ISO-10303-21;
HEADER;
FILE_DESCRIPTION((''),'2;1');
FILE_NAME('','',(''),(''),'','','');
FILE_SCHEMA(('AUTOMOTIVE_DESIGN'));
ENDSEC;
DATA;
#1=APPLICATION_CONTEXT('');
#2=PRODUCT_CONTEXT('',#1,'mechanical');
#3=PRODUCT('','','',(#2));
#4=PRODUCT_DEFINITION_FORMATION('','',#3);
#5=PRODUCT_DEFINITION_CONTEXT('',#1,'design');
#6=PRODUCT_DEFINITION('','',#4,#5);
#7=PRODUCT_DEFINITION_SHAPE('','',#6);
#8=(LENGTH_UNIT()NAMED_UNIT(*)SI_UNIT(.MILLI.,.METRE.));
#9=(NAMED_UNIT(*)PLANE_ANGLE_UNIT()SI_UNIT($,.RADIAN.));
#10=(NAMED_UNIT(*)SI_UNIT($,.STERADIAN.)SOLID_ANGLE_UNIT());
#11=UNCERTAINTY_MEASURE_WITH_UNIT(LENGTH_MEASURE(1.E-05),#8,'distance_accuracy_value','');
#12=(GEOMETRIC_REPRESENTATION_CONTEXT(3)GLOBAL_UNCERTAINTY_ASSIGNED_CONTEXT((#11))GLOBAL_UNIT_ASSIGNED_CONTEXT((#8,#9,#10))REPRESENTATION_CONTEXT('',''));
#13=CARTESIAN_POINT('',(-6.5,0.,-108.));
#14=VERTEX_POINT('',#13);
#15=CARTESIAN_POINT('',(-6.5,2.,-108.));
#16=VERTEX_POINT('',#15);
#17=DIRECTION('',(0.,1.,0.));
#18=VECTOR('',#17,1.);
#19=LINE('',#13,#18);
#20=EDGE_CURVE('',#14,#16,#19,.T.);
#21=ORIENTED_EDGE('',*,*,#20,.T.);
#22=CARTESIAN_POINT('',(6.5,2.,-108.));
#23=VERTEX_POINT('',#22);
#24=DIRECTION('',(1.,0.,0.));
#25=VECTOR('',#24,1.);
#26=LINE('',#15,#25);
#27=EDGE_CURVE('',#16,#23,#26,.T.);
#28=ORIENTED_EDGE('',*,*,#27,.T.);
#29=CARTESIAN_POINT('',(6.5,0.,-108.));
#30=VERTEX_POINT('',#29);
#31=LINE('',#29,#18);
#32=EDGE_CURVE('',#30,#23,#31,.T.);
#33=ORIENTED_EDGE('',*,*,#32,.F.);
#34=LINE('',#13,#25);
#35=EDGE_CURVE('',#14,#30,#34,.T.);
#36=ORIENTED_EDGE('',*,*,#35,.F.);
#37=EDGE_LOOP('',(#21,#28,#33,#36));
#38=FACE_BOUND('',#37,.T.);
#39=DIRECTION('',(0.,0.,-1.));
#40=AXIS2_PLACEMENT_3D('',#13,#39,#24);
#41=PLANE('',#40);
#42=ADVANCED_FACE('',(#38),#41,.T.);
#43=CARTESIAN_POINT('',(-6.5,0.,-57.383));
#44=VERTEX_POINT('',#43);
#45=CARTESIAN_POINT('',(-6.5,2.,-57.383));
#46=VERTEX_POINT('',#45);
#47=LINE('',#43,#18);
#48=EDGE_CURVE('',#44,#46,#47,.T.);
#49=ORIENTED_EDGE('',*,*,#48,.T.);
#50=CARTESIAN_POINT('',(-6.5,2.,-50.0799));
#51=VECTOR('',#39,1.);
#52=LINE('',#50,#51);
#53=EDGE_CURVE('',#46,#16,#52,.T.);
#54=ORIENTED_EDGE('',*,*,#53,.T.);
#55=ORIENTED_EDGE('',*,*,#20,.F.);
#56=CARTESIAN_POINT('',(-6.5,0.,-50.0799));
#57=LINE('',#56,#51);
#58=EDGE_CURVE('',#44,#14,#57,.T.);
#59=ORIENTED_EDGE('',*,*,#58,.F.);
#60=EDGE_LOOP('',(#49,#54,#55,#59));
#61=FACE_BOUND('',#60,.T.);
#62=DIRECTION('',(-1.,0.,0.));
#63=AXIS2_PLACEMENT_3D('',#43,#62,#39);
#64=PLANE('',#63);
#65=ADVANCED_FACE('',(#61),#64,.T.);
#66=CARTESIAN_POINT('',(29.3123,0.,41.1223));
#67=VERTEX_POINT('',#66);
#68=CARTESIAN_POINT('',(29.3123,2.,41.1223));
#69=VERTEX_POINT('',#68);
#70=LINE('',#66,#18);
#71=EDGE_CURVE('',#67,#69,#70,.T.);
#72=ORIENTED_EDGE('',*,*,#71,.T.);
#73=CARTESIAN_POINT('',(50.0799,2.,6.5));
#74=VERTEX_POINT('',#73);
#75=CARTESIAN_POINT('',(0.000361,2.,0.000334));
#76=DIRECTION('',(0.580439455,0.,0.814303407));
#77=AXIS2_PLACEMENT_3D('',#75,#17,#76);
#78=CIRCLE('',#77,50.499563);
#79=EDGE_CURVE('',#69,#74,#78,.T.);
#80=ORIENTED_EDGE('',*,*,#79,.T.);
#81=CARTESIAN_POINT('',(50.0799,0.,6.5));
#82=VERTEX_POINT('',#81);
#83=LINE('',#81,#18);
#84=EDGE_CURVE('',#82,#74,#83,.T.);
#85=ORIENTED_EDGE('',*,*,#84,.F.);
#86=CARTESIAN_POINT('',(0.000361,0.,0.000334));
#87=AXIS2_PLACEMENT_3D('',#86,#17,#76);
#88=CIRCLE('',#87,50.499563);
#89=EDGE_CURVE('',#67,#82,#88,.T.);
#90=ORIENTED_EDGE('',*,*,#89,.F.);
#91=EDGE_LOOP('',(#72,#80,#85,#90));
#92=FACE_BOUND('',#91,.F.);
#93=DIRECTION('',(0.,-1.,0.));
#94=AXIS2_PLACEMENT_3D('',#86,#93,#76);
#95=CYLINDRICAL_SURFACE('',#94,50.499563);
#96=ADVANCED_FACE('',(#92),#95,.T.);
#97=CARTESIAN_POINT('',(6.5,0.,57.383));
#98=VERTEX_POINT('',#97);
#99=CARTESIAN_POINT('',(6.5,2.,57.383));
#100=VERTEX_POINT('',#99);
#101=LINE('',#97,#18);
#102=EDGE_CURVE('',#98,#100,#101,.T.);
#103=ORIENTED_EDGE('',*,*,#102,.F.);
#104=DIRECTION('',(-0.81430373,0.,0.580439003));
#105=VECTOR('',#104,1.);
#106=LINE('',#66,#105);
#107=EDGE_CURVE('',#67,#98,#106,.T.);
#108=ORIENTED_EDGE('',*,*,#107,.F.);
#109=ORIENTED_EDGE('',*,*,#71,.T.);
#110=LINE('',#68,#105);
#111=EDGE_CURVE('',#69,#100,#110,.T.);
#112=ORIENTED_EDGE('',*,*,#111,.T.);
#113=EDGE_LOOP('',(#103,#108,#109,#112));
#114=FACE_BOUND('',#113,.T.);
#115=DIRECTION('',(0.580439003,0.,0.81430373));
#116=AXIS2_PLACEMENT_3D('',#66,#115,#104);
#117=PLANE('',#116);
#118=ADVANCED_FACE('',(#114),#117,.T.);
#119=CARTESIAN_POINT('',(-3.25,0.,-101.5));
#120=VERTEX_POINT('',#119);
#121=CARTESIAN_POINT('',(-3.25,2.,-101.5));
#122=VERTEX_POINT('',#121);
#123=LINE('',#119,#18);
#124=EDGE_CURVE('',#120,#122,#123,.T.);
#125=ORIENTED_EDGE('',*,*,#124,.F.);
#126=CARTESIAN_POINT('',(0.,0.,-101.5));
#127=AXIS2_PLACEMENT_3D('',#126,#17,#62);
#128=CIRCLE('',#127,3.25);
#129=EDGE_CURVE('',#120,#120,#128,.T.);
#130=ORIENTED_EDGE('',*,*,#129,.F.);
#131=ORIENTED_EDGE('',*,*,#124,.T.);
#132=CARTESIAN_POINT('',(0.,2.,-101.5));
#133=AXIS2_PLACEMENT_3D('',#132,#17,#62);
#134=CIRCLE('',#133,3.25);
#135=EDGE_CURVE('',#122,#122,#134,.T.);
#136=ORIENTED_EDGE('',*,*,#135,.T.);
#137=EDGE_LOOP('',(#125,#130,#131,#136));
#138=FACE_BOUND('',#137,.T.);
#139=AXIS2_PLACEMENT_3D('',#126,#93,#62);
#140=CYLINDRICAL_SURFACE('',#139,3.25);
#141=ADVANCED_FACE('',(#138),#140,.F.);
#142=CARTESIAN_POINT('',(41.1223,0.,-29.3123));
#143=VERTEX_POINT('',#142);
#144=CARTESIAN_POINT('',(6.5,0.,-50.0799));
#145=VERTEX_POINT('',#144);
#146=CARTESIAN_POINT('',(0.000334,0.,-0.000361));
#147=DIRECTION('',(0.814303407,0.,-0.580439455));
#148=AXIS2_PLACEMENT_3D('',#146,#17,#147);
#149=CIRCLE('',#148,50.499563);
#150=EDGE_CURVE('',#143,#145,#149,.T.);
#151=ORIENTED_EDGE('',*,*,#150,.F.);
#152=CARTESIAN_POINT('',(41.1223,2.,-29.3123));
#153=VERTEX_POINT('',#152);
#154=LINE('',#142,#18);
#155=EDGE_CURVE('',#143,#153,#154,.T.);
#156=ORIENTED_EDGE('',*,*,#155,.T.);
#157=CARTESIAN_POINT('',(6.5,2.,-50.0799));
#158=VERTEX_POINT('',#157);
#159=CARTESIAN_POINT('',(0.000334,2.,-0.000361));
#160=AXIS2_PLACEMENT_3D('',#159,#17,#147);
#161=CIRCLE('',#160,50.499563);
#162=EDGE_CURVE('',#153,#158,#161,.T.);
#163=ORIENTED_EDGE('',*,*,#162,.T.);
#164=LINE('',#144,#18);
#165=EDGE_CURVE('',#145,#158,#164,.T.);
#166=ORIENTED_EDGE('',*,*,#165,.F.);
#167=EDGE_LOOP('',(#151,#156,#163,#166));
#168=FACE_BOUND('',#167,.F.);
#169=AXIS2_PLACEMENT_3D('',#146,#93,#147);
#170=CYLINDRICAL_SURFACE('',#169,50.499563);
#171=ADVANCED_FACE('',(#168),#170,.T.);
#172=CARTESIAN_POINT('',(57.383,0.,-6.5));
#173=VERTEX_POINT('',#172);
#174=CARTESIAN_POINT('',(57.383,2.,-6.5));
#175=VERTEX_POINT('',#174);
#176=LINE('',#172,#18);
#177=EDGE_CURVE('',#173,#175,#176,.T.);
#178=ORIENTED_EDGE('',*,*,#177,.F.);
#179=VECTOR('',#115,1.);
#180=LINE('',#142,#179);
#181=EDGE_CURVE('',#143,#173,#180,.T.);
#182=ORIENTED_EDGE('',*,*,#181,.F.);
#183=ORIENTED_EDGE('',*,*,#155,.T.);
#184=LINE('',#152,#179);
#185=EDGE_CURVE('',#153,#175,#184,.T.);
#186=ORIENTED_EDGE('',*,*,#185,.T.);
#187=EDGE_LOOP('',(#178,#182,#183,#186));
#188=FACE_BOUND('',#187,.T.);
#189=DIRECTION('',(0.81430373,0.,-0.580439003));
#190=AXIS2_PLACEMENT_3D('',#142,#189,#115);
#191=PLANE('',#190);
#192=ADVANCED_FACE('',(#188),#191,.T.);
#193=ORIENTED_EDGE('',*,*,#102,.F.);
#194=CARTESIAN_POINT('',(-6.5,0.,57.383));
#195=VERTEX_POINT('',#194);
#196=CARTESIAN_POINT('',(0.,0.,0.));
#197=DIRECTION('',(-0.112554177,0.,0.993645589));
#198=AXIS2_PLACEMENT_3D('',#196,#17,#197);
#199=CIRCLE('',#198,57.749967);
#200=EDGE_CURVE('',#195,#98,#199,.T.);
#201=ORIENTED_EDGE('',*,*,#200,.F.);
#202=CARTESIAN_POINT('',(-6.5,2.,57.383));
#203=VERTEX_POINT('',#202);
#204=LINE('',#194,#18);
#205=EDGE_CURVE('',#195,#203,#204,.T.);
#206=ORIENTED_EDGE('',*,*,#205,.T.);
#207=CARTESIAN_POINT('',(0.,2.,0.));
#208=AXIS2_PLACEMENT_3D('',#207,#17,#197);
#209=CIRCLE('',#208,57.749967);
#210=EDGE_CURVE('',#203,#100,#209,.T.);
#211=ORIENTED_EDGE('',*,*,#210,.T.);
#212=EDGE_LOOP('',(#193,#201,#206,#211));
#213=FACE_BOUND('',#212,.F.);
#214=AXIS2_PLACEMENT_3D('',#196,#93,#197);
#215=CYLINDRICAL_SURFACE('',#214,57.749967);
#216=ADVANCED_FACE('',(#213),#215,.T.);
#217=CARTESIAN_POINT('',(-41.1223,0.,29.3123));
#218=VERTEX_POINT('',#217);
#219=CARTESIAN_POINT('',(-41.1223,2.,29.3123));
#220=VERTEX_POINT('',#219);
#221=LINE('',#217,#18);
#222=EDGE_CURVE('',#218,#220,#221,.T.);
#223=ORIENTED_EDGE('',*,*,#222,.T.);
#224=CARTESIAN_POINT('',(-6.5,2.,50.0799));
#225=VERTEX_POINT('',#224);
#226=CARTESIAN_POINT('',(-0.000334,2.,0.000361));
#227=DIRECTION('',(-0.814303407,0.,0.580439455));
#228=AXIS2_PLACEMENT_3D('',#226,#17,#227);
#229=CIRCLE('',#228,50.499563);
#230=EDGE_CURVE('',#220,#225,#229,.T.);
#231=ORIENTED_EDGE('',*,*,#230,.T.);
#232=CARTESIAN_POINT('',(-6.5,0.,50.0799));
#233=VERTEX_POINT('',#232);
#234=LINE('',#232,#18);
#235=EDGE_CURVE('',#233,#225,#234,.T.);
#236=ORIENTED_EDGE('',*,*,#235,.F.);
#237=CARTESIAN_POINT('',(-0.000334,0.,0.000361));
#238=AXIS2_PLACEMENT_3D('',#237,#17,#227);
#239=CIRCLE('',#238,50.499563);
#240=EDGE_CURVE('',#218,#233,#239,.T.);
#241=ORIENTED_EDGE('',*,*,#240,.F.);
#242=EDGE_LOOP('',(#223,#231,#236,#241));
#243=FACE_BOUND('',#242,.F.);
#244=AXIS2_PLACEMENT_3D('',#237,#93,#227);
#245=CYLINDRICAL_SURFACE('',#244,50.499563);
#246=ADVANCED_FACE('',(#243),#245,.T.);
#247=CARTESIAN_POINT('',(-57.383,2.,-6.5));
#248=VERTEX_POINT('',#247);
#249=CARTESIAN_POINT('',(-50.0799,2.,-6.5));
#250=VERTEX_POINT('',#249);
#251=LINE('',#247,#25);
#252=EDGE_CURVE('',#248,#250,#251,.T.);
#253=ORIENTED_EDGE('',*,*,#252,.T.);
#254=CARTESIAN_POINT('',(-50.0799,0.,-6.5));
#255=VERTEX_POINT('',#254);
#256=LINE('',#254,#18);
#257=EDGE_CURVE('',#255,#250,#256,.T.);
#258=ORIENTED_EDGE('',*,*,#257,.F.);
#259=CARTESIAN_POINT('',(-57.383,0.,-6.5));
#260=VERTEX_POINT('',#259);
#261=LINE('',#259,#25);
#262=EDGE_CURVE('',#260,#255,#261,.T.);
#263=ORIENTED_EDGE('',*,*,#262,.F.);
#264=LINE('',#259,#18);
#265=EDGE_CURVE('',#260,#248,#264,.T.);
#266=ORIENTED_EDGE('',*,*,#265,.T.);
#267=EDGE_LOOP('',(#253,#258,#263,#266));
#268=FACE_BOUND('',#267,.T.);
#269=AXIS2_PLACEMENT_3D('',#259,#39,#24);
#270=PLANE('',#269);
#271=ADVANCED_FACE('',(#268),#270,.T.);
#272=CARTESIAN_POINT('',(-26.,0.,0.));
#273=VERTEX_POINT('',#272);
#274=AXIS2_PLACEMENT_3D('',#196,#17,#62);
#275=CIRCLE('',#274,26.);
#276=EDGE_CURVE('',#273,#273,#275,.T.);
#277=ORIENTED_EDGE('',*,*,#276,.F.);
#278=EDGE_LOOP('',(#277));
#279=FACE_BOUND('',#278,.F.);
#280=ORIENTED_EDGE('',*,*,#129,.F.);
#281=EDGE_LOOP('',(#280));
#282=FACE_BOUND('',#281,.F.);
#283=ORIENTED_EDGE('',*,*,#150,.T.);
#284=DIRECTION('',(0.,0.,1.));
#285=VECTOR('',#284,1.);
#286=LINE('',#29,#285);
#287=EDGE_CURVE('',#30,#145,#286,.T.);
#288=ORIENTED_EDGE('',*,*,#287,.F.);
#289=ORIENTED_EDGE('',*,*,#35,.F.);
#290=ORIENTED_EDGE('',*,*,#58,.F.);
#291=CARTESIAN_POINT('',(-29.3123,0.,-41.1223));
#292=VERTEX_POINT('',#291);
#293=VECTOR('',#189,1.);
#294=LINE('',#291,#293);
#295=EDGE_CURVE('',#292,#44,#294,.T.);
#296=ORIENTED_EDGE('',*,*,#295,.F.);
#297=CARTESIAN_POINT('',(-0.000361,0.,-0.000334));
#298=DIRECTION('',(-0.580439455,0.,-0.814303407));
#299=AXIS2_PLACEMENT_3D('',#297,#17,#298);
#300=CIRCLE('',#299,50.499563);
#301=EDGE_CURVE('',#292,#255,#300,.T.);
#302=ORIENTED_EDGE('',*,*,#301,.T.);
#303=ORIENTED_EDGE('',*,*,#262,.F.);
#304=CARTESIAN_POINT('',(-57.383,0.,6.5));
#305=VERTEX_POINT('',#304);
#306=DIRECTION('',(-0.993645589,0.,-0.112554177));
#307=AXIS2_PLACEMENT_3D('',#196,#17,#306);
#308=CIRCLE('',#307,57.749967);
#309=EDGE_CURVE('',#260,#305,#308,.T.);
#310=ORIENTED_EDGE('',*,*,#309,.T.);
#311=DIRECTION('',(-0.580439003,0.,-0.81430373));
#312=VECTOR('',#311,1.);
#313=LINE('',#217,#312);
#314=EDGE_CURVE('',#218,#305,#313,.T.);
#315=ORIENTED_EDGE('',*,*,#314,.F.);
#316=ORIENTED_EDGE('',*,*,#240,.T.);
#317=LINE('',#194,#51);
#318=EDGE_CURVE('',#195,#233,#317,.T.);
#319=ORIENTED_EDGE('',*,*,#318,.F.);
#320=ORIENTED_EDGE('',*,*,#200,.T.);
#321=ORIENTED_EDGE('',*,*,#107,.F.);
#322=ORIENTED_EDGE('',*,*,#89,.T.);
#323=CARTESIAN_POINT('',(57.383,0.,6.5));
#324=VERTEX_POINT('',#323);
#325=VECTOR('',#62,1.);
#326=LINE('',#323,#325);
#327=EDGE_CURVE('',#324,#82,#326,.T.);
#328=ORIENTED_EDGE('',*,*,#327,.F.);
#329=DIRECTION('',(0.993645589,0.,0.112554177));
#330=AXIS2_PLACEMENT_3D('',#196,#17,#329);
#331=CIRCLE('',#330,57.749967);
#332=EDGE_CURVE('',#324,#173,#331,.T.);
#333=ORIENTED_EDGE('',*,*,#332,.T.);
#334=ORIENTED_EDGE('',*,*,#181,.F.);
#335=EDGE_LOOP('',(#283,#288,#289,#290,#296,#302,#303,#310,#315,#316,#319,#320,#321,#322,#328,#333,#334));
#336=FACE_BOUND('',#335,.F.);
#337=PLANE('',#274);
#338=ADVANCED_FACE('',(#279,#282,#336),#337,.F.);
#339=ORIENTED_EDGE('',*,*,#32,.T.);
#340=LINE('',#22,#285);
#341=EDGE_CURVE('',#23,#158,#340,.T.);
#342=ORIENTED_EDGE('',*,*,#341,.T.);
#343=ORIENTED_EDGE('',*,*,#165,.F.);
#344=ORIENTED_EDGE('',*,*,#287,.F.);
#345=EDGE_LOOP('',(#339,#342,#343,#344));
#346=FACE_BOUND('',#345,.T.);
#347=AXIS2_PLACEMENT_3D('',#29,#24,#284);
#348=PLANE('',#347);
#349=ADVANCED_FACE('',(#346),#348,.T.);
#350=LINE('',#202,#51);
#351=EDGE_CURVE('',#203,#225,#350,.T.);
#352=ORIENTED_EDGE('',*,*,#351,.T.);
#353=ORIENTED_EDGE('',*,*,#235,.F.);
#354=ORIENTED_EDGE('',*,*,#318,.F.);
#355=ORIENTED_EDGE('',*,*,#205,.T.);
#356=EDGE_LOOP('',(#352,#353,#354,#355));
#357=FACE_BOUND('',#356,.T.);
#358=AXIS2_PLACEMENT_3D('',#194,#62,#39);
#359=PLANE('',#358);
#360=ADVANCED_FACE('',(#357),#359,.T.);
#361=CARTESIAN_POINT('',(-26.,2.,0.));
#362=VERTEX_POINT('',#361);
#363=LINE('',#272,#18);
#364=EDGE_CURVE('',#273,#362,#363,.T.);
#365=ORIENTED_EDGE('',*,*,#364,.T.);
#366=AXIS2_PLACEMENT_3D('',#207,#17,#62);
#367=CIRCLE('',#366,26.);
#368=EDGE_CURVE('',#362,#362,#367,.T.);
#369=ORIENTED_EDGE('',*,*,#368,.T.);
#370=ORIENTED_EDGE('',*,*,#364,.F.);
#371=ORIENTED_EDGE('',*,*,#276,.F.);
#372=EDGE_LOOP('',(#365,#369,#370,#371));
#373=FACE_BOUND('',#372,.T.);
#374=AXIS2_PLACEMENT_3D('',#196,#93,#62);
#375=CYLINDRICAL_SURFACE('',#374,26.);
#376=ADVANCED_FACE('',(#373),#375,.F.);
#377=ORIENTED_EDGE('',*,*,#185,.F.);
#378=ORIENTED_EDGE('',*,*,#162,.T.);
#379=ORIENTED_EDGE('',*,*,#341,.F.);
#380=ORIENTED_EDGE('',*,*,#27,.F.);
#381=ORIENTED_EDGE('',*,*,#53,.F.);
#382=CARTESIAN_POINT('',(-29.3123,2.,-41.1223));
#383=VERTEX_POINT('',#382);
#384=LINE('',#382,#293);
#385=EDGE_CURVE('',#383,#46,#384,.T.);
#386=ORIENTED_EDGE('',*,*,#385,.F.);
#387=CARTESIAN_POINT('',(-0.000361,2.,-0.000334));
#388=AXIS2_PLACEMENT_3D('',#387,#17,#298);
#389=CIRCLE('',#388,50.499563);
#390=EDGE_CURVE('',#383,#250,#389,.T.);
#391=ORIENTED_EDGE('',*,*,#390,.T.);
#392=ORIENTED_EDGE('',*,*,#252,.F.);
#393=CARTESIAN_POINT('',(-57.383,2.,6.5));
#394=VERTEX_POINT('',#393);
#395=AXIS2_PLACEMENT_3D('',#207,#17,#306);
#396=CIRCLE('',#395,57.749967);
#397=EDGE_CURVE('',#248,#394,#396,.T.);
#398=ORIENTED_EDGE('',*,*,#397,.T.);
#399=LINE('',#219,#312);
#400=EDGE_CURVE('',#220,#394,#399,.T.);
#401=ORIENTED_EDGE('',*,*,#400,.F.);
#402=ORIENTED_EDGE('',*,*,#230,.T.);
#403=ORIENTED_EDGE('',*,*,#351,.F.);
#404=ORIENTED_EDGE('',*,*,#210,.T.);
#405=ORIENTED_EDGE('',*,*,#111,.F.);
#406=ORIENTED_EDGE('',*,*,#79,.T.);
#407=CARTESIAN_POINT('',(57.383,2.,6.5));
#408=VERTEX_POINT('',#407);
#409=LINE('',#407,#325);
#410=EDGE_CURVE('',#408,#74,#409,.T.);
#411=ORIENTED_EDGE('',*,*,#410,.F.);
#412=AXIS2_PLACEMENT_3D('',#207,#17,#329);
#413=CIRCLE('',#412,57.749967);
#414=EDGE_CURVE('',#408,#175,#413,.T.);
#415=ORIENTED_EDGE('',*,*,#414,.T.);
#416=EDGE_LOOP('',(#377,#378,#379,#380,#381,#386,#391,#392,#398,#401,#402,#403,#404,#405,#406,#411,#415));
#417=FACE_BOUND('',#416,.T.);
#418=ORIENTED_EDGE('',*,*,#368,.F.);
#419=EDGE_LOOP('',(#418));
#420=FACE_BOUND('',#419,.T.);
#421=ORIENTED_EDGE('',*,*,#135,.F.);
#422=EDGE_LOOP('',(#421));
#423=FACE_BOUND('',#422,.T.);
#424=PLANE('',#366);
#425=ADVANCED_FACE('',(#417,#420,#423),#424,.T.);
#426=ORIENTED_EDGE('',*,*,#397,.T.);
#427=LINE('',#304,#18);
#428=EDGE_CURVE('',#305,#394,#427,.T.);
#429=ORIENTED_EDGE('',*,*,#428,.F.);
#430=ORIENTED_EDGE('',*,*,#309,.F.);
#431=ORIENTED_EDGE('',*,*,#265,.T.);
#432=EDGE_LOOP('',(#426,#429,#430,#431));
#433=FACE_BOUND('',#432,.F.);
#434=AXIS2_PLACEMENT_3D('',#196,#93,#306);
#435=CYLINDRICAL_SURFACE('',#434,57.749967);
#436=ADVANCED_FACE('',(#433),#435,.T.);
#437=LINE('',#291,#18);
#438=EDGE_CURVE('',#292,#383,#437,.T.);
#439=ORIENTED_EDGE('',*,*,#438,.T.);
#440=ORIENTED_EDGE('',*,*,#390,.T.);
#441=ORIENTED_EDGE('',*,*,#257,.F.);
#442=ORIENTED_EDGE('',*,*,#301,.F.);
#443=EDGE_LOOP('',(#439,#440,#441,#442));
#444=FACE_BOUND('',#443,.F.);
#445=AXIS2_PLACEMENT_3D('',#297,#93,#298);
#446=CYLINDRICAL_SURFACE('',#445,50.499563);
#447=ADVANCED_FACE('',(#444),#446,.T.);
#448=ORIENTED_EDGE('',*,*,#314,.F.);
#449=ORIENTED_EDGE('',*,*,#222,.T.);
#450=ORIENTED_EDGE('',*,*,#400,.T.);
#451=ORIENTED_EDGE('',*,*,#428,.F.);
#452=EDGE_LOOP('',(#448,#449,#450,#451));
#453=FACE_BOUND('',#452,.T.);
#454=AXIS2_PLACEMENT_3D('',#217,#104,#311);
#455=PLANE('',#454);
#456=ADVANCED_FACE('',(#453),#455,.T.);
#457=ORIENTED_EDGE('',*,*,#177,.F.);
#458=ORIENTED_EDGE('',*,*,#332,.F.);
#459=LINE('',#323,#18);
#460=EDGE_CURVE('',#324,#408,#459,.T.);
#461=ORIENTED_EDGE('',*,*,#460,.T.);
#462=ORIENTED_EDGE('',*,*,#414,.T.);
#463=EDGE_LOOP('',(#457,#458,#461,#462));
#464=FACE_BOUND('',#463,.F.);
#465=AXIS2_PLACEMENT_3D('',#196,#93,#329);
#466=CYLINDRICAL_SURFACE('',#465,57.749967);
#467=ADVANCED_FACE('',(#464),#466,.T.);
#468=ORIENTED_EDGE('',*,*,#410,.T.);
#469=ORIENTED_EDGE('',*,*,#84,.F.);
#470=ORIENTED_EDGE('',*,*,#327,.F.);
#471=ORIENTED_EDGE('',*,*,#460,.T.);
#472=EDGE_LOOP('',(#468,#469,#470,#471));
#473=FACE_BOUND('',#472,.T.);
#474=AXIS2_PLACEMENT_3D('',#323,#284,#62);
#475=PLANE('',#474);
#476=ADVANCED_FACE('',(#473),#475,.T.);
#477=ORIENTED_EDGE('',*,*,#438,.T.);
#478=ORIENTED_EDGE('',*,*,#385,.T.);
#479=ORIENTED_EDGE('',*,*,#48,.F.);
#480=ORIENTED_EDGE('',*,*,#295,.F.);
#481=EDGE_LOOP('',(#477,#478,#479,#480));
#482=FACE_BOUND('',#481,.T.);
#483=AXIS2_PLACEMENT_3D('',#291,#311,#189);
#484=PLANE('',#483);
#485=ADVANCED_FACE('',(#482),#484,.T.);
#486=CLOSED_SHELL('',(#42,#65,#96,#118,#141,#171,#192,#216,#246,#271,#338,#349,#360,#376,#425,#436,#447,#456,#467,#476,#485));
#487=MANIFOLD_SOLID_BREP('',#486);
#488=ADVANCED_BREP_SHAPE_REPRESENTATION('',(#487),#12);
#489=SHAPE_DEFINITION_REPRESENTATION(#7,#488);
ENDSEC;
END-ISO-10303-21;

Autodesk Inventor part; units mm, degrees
ref_plane "YZ Plane" through (0, 0, 0) normal (1, 0, 0) x (0, 1, 0)
ref_plane "XZ Plane" through (0, 0, 0) normal (0, 1, 0) x (-1, 0, 0)
ref_plane "XY Plane" through (0, 0, 0) normal (0, 0, 1) x (1, 0, 0)
sketch "Sketch1" plane through (0, 0, 0) normal (0, 1, 0) x (-1, 0, 0)
  circle A0 centre (0, 0) radius 26
  circle A1 centre (0, 0) radius 50.5 construction
  line L0 (-6.5, -50.0799) -> (6.5, -50.0799)
  line L1 (6.5, -50.0799) -> (6.5, -108)
  line L2 (6.5, -108) -> (-6.5, -108)
  line L3 (-6.5, -108) -> (-6.5, -50.0799)
  circle A2 centre (0, 0) radius 57.75 construction
  arc A3 (-41.1223, -29.3123) -> (-6.5, -50.0799) centre (0, 0) ccw
  line L4 (-41.1223, -29.3123) -> (-57.383, -6.5)
  arc A4 (-57.383, 6.5) -> (-57.383, -6.5) centre (0, 0) ccw
  line L5 (-57.383, 6.5) -> (-50.0799, 6.5)
  arc A5 (-29.3123, 41.1223) -> (-50.0799, 6.5) centre (0, 0) ccw
  line L6 (-29.3123, 41.1223) -> (-6.5, 57.383)
  arc A6 (6.5, 57.383) -> (-6.5, 57.383) centre (0, 0) ccw
  line L7 (6.5, 57.383) -> (6.5, 50.0799)
  arc A7 (41.1223, 29.3123) -> (6.5, 50.0799) centre (0, 0) ccw
  line L8 (41.1223, 29.3123) -> (57.383, 6.5)
  arc A8 (57.383, -6.5) -> (57.383, 6.5) centre (0, 0) ccw
  line L9 (57.383, -6.5) -> (50.0799, -6.5)
  arc A9 (29.3123, -41.1223) -> (50.0799, -6.5) centre (0, 0) ccw
  line L10 (29.3123, -41.1223) -> (6.5, -57.383)
  circle A10 centre (0, -101.5) radius 3.25
  dimension "DiaB" = 101
  dimension "DiaD" = 115.5
  dimension "DiaA" = 52
  dimension "d2" = 13
  dimension "LenH" = 108
  dimension "d5" = 13
  dimension "d6" = 6.5
  dimension "d7" = 6.5
  dimension "d8" = 13
  dimension "d9" = 6.5
  dimension "d10" = 13
  dimension "d11" = 6.5
  dimension "d12" = 6.5
  dimension "d13" = 6.5
extrude "Extrusion1" add sketch "Sketch1" along normal blind 2
equation "\"d5\" = d2"
equation "\"d6\" = 0.5 * d2"
equation "\"d7\" = d6"
equation "\"d8\" = d5"
equation "\"d9\" = d6"
equation "\"d10\" = d5"
equation "\"d12\" = 0.5 * d2"
equation "\"d13\" = 0.5 * d2"
properties part number "Ground Plate Promag DN50" material "304L"
